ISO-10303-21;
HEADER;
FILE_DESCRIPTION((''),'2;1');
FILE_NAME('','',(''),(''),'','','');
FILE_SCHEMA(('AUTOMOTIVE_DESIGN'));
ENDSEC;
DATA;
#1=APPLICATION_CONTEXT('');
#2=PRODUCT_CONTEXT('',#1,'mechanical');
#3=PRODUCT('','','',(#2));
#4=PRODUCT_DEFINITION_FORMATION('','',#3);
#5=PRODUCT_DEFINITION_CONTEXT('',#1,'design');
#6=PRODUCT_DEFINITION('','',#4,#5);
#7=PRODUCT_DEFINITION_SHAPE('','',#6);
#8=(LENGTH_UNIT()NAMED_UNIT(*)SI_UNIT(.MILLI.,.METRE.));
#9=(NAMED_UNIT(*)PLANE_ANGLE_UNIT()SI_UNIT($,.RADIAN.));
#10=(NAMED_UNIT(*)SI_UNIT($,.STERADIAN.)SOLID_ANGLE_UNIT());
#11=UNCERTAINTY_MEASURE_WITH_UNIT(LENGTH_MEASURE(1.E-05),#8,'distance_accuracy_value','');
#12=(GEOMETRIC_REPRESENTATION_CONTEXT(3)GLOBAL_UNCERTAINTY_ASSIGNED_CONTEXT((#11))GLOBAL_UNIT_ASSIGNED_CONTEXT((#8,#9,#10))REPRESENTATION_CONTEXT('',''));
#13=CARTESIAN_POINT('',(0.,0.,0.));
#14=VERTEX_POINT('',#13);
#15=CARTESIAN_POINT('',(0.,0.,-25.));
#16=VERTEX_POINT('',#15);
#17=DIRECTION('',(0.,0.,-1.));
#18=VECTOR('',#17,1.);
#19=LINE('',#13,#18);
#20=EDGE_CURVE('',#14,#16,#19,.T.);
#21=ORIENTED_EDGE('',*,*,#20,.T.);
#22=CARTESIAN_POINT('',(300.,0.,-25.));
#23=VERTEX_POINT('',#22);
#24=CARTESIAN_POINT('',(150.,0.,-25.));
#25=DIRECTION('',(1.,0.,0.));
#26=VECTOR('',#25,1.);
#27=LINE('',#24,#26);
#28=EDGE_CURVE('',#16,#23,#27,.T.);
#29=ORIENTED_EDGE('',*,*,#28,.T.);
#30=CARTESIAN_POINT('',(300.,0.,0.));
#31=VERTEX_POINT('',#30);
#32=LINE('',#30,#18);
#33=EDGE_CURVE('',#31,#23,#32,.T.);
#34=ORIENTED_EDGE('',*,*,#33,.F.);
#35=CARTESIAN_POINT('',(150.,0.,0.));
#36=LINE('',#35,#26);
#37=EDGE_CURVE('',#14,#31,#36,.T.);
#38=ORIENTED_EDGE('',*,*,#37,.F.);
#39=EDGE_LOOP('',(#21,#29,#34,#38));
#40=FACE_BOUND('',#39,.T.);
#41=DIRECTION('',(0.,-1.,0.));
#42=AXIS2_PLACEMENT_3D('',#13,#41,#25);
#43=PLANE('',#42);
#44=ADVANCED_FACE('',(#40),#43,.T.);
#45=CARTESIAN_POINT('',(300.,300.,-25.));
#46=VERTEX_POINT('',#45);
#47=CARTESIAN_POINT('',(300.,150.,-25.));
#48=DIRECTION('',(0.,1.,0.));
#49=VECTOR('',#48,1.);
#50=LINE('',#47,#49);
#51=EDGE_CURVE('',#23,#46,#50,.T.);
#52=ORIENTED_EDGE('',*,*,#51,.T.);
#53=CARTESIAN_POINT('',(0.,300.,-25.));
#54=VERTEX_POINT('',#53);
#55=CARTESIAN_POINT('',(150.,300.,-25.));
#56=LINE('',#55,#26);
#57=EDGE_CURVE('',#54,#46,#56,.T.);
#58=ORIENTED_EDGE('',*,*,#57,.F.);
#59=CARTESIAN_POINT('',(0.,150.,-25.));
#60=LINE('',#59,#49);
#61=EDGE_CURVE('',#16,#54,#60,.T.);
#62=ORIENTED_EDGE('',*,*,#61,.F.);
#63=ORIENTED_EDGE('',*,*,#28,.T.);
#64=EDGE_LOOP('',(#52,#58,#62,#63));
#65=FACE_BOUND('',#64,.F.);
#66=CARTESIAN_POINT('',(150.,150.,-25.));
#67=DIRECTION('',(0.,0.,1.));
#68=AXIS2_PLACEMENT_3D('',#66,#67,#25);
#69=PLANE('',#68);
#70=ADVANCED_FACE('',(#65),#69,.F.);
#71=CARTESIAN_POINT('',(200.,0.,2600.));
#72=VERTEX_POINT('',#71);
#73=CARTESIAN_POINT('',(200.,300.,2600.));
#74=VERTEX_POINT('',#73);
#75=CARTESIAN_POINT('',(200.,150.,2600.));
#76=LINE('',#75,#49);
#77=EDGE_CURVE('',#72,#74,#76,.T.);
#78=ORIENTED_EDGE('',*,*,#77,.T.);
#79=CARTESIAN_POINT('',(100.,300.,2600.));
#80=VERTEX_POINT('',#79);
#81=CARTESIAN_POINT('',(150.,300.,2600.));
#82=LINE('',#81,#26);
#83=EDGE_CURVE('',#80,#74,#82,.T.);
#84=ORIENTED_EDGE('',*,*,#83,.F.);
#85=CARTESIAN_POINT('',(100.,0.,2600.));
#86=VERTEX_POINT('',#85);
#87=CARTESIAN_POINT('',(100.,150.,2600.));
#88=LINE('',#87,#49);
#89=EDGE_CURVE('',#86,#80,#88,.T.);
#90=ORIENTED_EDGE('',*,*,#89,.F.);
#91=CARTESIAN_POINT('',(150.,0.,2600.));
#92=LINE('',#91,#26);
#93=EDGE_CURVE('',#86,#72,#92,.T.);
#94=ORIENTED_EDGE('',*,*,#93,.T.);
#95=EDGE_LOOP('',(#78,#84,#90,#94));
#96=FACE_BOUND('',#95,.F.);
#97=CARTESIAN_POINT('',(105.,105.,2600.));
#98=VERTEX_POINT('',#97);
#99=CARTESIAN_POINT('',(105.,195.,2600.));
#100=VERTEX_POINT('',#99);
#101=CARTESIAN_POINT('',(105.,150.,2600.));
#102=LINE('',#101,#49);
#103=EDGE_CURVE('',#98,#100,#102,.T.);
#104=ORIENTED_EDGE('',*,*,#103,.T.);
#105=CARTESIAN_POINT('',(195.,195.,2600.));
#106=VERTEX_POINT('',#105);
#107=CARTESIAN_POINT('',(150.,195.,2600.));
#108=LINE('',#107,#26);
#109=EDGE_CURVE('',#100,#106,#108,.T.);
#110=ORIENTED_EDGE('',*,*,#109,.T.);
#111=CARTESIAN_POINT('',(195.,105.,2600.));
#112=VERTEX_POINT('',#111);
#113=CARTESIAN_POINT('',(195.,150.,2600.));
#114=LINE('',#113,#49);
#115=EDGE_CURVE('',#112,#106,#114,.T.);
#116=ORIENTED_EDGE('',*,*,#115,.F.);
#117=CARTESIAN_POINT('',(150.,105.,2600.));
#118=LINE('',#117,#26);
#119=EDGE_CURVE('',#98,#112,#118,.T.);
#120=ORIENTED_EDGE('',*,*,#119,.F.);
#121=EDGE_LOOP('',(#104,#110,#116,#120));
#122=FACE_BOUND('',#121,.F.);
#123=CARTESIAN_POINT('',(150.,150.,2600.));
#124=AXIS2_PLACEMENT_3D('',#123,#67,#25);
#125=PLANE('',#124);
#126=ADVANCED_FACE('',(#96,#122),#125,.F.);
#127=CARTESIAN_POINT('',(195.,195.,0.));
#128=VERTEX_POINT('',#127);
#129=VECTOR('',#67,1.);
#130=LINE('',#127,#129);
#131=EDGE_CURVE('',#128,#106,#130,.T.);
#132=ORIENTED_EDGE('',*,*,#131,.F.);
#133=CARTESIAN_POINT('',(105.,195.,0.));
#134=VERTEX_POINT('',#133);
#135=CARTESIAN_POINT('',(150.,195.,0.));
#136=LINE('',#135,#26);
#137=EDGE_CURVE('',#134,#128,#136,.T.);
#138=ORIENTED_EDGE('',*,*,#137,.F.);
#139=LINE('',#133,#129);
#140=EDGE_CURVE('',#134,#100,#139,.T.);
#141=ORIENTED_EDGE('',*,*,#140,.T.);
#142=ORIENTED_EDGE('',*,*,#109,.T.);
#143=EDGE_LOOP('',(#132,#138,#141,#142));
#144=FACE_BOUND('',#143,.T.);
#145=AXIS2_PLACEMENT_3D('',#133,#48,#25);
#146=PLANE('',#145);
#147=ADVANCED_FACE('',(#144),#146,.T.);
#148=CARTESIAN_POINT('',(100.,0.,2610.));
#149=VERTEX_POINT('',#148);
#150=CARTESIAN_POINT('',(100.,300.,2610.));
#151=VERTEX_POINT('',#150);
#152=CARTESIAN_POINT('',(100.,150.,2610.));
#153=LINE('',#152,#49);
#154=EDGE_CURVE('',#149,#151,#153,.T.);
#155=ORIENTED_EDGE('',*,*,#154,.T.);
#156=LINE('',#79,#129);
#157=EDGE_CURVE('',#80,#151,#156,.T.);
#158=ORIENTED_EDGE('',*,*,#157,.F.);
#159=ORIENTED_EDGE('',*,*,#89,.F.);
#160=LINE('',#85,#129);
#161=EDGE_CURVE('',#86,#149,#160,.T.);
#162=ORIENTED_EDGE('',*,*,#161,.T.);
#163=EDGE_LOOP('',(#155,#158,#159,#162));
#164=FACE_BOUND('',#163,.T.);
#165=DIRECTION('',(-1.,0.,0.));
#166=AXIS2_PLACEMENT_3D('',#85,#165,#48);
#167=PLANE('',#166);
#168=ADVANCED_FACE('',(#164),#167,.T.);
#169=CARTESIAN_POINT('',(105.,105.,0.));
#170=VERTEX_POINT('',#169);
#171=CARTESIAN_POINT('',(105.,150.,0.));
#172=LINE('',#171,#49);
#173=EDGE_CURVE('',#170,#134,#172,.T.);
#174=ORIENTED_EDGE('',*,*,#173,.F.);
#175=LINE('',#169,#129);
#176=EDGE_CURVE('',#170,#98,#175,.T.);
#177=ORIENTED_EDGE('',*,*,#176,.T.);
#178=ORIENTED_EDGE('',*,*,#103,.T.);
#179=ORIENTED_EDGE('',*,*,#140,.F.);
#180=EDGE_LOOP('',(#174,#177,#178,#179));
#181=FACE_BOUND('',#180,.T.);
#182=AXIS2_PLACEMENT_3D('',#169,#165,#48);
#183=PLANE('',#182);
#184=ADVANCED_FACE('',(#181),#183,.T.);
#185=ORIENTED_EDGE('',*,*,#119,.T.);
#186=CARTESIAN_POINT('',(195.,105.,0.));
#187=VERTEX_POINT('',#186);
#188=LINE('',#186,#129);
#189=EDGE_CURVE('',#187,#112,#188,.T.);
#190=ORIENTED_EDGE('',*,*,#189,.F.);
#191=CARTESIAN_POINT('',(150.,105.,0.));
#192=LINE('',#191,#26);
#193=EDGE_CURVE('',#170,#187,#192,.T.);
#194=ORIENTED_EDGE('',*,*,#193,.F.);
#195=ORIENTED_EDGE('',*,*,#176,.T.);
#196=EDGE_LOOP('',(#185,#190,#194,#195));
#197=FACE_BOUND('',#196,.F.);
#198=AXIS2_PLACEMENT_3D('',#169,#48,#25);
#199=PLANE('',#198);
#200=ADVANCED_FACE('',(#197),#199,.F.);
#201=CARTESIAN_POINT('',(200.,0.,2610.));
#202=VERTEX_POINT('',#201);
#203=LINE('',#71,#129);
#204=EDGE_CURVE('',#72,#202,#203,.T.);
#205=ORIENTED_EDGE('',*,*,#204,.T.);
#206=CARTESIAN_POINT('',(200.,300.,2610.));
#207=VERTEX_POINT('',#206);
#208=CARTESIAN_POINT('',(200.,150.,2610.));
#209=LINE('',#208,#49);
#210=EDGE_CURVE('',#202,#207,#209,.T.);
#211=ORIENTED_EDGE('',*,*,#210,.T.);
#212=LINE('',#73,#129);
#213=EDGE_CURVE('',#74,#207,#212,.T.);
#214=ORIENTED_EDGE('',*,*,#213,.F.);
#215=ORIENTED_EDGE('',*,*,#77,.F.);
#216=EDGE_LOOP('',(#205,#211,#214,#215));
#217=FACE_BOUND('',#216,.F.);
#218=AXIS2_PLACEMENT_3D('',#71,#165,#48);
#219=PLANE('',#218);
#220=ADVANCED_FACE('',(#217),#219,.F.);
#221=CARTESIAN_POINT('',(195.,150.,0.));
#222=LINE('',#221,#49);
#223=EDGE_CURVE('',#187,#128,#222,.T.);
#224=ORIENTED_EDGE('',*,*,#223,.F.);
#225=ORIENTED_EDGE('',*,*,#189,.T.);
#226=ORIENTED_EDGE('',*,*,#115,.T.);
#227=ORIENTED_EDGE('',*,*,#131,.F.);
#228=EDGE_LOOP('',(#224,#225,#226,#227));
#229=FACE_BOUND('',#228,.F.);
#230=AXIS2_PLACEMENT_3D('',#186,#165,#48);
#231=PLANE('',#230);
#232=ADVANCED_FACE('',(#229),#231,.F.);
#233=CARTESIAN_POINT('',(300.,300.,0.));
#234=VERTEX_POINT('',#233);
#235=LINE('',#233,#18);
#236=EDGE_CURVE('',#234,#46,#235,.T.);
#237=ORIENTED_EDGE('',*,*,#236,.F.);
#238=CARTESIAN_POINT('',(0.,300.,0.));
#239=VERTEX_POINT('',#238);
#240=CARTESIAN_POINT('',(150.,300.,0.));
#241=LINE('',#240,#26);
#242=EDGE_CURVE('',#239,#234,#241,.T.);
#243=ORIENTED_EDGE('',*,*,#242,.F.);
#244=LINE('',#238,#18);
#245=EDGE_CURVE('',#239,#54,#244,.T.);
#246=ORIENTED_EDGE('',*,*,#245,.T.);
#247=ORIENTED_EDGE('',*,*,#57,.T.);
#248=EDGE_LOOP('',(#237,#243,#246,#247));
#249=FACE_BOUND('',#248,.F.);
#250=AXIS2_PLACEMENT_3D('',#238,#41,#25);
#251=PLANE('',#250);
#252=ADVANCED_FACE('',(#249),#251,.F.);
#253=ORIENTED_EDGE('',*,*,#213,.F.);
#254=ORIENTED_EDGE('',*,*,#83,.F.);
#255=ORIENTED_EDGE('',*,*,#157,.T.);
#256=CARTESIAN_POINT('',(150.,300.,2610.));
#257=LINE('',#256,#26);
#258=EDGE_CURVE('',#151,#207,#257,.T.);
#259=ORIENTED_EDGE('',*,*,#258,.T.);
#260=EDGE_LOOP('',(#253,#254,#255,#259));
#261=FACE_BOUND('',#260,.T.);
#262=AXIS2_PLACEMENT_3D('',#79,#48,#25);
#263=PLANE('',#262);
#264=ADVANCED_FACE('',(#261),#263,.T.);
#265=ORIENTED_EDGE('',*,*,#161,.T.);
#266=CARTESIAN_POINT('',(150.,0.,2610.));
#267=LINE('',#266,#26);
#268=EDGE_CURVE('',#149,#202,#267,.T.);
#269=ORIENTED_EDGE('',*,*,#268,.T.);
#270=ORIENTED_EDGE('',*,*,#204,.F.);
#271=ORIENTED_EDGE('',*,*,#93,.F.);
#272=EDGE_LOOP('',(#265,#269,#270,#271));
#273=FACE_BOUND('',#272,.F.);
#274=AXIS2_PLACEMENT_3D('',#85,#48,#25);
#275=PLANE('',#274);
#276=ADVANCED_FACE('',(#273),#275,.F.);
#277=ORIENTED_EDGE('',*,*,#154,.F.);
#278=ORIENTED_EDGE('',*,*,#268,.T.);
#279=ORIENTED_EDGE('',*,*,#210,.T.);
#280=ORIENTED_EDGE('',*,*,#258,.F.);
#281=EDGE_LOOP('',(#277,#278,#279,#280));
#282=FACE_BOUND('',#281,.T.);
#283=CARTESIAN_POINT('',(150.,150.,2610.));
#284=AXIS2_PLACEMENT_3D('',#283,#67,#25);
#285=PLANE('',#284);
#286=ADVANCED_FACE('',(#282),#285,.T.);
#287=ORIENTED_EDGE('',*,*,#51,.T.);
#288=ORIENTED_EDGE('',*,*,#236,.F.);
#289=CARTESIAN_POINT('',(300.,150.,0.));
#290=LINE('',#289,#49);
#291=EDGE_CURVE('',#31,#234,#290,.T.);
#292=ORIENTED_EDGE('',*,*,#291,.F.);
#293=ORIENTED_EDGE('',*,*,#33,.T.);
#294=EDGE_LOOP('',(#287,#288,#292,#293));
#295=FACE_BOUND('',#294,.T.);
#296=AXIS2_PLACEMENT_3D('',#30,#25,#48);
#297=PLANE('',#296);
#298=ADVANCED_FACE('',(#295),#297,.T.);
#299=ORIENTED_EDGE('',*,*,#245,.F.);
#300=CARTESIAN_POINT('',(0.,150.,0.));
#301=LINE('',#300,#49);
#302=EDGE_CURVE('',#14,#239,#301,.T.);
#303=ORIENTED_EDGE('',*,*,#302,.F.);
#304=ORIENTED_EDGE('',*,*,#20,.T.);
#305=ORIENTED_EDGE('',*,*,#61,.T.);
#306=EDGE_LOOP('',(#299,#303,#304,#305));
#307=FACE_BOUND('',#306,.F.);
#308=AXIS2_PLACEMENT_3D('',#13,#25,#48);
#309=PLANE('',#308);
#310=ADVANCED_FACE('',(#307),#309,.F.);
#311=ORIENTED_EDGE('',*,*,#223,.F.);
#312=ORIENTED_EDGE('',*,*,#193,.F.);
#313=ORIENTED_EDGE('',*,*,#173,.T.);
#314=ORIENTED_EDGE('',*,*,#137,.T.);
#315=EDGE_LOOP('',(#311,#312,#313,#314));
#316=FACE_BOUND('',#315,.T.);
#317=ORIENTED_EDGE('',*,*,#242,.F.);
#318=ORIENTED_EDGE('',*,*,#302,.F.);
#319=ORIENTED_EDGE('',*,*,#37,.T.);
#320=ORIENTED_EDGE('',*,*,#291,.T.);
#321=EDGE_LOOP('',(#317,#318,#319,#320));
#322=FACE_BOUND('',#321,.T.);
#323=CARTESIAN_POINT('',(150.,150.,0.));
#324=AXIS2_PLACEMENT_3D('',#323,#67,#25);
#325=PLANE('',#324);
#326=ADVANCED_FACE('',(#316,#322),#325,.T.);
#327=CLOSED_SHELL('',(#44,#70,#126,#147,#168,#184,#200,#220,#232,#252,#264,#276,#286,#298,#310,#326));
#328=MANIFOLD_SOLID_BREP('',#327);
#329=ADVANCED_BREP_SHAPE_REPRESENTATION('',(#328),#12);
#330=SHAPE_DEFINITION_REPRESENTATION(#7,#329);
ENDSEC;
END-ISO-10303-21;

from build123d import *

# Parameters (mm, degrees)
F0_W     = 300
F0_H     = 300
F0_W_2   = 90
F0_H_2   = 90
F1_DEPTH = 25
F2_DEPTH = 2600
F3_W     = 100
F3_H     = 300
F4_DEPTH = 10


with BuildPart() as f1:
    # F0 (on Top) → F1 (new body)
    with BuildSketch(Plane.XY):
        with Locations((150, 150)):
            Rectangle(F0_W, F0_H)
        with Locations((150, 150)):
            Rectangle(F0_W_2, F0_H_2, mode=Mode.SUBTRACT)
        with Locations((150, 150)):
            Rectangle(F0_W_2, F0_H_2)
    extrude(amount=-F1_DEPTH)

    # F0 (on Top) → F2 (join)
    with BuildSketch(Plane.XY):
        with Locations((150, 150)):
            Rectangle(F0_W_2, F0_H_2)
    extrude(amount=F2_DEPTH)

    # F3 (on face) → F4 (join)
    with BuildSketch(Plane.XY.offset(2600)):
        with Locations((150, 150)):
            Rectangle(F3_W, F3_H)
    extrude(amount=F4_DEPTH)


solid = f1.part
